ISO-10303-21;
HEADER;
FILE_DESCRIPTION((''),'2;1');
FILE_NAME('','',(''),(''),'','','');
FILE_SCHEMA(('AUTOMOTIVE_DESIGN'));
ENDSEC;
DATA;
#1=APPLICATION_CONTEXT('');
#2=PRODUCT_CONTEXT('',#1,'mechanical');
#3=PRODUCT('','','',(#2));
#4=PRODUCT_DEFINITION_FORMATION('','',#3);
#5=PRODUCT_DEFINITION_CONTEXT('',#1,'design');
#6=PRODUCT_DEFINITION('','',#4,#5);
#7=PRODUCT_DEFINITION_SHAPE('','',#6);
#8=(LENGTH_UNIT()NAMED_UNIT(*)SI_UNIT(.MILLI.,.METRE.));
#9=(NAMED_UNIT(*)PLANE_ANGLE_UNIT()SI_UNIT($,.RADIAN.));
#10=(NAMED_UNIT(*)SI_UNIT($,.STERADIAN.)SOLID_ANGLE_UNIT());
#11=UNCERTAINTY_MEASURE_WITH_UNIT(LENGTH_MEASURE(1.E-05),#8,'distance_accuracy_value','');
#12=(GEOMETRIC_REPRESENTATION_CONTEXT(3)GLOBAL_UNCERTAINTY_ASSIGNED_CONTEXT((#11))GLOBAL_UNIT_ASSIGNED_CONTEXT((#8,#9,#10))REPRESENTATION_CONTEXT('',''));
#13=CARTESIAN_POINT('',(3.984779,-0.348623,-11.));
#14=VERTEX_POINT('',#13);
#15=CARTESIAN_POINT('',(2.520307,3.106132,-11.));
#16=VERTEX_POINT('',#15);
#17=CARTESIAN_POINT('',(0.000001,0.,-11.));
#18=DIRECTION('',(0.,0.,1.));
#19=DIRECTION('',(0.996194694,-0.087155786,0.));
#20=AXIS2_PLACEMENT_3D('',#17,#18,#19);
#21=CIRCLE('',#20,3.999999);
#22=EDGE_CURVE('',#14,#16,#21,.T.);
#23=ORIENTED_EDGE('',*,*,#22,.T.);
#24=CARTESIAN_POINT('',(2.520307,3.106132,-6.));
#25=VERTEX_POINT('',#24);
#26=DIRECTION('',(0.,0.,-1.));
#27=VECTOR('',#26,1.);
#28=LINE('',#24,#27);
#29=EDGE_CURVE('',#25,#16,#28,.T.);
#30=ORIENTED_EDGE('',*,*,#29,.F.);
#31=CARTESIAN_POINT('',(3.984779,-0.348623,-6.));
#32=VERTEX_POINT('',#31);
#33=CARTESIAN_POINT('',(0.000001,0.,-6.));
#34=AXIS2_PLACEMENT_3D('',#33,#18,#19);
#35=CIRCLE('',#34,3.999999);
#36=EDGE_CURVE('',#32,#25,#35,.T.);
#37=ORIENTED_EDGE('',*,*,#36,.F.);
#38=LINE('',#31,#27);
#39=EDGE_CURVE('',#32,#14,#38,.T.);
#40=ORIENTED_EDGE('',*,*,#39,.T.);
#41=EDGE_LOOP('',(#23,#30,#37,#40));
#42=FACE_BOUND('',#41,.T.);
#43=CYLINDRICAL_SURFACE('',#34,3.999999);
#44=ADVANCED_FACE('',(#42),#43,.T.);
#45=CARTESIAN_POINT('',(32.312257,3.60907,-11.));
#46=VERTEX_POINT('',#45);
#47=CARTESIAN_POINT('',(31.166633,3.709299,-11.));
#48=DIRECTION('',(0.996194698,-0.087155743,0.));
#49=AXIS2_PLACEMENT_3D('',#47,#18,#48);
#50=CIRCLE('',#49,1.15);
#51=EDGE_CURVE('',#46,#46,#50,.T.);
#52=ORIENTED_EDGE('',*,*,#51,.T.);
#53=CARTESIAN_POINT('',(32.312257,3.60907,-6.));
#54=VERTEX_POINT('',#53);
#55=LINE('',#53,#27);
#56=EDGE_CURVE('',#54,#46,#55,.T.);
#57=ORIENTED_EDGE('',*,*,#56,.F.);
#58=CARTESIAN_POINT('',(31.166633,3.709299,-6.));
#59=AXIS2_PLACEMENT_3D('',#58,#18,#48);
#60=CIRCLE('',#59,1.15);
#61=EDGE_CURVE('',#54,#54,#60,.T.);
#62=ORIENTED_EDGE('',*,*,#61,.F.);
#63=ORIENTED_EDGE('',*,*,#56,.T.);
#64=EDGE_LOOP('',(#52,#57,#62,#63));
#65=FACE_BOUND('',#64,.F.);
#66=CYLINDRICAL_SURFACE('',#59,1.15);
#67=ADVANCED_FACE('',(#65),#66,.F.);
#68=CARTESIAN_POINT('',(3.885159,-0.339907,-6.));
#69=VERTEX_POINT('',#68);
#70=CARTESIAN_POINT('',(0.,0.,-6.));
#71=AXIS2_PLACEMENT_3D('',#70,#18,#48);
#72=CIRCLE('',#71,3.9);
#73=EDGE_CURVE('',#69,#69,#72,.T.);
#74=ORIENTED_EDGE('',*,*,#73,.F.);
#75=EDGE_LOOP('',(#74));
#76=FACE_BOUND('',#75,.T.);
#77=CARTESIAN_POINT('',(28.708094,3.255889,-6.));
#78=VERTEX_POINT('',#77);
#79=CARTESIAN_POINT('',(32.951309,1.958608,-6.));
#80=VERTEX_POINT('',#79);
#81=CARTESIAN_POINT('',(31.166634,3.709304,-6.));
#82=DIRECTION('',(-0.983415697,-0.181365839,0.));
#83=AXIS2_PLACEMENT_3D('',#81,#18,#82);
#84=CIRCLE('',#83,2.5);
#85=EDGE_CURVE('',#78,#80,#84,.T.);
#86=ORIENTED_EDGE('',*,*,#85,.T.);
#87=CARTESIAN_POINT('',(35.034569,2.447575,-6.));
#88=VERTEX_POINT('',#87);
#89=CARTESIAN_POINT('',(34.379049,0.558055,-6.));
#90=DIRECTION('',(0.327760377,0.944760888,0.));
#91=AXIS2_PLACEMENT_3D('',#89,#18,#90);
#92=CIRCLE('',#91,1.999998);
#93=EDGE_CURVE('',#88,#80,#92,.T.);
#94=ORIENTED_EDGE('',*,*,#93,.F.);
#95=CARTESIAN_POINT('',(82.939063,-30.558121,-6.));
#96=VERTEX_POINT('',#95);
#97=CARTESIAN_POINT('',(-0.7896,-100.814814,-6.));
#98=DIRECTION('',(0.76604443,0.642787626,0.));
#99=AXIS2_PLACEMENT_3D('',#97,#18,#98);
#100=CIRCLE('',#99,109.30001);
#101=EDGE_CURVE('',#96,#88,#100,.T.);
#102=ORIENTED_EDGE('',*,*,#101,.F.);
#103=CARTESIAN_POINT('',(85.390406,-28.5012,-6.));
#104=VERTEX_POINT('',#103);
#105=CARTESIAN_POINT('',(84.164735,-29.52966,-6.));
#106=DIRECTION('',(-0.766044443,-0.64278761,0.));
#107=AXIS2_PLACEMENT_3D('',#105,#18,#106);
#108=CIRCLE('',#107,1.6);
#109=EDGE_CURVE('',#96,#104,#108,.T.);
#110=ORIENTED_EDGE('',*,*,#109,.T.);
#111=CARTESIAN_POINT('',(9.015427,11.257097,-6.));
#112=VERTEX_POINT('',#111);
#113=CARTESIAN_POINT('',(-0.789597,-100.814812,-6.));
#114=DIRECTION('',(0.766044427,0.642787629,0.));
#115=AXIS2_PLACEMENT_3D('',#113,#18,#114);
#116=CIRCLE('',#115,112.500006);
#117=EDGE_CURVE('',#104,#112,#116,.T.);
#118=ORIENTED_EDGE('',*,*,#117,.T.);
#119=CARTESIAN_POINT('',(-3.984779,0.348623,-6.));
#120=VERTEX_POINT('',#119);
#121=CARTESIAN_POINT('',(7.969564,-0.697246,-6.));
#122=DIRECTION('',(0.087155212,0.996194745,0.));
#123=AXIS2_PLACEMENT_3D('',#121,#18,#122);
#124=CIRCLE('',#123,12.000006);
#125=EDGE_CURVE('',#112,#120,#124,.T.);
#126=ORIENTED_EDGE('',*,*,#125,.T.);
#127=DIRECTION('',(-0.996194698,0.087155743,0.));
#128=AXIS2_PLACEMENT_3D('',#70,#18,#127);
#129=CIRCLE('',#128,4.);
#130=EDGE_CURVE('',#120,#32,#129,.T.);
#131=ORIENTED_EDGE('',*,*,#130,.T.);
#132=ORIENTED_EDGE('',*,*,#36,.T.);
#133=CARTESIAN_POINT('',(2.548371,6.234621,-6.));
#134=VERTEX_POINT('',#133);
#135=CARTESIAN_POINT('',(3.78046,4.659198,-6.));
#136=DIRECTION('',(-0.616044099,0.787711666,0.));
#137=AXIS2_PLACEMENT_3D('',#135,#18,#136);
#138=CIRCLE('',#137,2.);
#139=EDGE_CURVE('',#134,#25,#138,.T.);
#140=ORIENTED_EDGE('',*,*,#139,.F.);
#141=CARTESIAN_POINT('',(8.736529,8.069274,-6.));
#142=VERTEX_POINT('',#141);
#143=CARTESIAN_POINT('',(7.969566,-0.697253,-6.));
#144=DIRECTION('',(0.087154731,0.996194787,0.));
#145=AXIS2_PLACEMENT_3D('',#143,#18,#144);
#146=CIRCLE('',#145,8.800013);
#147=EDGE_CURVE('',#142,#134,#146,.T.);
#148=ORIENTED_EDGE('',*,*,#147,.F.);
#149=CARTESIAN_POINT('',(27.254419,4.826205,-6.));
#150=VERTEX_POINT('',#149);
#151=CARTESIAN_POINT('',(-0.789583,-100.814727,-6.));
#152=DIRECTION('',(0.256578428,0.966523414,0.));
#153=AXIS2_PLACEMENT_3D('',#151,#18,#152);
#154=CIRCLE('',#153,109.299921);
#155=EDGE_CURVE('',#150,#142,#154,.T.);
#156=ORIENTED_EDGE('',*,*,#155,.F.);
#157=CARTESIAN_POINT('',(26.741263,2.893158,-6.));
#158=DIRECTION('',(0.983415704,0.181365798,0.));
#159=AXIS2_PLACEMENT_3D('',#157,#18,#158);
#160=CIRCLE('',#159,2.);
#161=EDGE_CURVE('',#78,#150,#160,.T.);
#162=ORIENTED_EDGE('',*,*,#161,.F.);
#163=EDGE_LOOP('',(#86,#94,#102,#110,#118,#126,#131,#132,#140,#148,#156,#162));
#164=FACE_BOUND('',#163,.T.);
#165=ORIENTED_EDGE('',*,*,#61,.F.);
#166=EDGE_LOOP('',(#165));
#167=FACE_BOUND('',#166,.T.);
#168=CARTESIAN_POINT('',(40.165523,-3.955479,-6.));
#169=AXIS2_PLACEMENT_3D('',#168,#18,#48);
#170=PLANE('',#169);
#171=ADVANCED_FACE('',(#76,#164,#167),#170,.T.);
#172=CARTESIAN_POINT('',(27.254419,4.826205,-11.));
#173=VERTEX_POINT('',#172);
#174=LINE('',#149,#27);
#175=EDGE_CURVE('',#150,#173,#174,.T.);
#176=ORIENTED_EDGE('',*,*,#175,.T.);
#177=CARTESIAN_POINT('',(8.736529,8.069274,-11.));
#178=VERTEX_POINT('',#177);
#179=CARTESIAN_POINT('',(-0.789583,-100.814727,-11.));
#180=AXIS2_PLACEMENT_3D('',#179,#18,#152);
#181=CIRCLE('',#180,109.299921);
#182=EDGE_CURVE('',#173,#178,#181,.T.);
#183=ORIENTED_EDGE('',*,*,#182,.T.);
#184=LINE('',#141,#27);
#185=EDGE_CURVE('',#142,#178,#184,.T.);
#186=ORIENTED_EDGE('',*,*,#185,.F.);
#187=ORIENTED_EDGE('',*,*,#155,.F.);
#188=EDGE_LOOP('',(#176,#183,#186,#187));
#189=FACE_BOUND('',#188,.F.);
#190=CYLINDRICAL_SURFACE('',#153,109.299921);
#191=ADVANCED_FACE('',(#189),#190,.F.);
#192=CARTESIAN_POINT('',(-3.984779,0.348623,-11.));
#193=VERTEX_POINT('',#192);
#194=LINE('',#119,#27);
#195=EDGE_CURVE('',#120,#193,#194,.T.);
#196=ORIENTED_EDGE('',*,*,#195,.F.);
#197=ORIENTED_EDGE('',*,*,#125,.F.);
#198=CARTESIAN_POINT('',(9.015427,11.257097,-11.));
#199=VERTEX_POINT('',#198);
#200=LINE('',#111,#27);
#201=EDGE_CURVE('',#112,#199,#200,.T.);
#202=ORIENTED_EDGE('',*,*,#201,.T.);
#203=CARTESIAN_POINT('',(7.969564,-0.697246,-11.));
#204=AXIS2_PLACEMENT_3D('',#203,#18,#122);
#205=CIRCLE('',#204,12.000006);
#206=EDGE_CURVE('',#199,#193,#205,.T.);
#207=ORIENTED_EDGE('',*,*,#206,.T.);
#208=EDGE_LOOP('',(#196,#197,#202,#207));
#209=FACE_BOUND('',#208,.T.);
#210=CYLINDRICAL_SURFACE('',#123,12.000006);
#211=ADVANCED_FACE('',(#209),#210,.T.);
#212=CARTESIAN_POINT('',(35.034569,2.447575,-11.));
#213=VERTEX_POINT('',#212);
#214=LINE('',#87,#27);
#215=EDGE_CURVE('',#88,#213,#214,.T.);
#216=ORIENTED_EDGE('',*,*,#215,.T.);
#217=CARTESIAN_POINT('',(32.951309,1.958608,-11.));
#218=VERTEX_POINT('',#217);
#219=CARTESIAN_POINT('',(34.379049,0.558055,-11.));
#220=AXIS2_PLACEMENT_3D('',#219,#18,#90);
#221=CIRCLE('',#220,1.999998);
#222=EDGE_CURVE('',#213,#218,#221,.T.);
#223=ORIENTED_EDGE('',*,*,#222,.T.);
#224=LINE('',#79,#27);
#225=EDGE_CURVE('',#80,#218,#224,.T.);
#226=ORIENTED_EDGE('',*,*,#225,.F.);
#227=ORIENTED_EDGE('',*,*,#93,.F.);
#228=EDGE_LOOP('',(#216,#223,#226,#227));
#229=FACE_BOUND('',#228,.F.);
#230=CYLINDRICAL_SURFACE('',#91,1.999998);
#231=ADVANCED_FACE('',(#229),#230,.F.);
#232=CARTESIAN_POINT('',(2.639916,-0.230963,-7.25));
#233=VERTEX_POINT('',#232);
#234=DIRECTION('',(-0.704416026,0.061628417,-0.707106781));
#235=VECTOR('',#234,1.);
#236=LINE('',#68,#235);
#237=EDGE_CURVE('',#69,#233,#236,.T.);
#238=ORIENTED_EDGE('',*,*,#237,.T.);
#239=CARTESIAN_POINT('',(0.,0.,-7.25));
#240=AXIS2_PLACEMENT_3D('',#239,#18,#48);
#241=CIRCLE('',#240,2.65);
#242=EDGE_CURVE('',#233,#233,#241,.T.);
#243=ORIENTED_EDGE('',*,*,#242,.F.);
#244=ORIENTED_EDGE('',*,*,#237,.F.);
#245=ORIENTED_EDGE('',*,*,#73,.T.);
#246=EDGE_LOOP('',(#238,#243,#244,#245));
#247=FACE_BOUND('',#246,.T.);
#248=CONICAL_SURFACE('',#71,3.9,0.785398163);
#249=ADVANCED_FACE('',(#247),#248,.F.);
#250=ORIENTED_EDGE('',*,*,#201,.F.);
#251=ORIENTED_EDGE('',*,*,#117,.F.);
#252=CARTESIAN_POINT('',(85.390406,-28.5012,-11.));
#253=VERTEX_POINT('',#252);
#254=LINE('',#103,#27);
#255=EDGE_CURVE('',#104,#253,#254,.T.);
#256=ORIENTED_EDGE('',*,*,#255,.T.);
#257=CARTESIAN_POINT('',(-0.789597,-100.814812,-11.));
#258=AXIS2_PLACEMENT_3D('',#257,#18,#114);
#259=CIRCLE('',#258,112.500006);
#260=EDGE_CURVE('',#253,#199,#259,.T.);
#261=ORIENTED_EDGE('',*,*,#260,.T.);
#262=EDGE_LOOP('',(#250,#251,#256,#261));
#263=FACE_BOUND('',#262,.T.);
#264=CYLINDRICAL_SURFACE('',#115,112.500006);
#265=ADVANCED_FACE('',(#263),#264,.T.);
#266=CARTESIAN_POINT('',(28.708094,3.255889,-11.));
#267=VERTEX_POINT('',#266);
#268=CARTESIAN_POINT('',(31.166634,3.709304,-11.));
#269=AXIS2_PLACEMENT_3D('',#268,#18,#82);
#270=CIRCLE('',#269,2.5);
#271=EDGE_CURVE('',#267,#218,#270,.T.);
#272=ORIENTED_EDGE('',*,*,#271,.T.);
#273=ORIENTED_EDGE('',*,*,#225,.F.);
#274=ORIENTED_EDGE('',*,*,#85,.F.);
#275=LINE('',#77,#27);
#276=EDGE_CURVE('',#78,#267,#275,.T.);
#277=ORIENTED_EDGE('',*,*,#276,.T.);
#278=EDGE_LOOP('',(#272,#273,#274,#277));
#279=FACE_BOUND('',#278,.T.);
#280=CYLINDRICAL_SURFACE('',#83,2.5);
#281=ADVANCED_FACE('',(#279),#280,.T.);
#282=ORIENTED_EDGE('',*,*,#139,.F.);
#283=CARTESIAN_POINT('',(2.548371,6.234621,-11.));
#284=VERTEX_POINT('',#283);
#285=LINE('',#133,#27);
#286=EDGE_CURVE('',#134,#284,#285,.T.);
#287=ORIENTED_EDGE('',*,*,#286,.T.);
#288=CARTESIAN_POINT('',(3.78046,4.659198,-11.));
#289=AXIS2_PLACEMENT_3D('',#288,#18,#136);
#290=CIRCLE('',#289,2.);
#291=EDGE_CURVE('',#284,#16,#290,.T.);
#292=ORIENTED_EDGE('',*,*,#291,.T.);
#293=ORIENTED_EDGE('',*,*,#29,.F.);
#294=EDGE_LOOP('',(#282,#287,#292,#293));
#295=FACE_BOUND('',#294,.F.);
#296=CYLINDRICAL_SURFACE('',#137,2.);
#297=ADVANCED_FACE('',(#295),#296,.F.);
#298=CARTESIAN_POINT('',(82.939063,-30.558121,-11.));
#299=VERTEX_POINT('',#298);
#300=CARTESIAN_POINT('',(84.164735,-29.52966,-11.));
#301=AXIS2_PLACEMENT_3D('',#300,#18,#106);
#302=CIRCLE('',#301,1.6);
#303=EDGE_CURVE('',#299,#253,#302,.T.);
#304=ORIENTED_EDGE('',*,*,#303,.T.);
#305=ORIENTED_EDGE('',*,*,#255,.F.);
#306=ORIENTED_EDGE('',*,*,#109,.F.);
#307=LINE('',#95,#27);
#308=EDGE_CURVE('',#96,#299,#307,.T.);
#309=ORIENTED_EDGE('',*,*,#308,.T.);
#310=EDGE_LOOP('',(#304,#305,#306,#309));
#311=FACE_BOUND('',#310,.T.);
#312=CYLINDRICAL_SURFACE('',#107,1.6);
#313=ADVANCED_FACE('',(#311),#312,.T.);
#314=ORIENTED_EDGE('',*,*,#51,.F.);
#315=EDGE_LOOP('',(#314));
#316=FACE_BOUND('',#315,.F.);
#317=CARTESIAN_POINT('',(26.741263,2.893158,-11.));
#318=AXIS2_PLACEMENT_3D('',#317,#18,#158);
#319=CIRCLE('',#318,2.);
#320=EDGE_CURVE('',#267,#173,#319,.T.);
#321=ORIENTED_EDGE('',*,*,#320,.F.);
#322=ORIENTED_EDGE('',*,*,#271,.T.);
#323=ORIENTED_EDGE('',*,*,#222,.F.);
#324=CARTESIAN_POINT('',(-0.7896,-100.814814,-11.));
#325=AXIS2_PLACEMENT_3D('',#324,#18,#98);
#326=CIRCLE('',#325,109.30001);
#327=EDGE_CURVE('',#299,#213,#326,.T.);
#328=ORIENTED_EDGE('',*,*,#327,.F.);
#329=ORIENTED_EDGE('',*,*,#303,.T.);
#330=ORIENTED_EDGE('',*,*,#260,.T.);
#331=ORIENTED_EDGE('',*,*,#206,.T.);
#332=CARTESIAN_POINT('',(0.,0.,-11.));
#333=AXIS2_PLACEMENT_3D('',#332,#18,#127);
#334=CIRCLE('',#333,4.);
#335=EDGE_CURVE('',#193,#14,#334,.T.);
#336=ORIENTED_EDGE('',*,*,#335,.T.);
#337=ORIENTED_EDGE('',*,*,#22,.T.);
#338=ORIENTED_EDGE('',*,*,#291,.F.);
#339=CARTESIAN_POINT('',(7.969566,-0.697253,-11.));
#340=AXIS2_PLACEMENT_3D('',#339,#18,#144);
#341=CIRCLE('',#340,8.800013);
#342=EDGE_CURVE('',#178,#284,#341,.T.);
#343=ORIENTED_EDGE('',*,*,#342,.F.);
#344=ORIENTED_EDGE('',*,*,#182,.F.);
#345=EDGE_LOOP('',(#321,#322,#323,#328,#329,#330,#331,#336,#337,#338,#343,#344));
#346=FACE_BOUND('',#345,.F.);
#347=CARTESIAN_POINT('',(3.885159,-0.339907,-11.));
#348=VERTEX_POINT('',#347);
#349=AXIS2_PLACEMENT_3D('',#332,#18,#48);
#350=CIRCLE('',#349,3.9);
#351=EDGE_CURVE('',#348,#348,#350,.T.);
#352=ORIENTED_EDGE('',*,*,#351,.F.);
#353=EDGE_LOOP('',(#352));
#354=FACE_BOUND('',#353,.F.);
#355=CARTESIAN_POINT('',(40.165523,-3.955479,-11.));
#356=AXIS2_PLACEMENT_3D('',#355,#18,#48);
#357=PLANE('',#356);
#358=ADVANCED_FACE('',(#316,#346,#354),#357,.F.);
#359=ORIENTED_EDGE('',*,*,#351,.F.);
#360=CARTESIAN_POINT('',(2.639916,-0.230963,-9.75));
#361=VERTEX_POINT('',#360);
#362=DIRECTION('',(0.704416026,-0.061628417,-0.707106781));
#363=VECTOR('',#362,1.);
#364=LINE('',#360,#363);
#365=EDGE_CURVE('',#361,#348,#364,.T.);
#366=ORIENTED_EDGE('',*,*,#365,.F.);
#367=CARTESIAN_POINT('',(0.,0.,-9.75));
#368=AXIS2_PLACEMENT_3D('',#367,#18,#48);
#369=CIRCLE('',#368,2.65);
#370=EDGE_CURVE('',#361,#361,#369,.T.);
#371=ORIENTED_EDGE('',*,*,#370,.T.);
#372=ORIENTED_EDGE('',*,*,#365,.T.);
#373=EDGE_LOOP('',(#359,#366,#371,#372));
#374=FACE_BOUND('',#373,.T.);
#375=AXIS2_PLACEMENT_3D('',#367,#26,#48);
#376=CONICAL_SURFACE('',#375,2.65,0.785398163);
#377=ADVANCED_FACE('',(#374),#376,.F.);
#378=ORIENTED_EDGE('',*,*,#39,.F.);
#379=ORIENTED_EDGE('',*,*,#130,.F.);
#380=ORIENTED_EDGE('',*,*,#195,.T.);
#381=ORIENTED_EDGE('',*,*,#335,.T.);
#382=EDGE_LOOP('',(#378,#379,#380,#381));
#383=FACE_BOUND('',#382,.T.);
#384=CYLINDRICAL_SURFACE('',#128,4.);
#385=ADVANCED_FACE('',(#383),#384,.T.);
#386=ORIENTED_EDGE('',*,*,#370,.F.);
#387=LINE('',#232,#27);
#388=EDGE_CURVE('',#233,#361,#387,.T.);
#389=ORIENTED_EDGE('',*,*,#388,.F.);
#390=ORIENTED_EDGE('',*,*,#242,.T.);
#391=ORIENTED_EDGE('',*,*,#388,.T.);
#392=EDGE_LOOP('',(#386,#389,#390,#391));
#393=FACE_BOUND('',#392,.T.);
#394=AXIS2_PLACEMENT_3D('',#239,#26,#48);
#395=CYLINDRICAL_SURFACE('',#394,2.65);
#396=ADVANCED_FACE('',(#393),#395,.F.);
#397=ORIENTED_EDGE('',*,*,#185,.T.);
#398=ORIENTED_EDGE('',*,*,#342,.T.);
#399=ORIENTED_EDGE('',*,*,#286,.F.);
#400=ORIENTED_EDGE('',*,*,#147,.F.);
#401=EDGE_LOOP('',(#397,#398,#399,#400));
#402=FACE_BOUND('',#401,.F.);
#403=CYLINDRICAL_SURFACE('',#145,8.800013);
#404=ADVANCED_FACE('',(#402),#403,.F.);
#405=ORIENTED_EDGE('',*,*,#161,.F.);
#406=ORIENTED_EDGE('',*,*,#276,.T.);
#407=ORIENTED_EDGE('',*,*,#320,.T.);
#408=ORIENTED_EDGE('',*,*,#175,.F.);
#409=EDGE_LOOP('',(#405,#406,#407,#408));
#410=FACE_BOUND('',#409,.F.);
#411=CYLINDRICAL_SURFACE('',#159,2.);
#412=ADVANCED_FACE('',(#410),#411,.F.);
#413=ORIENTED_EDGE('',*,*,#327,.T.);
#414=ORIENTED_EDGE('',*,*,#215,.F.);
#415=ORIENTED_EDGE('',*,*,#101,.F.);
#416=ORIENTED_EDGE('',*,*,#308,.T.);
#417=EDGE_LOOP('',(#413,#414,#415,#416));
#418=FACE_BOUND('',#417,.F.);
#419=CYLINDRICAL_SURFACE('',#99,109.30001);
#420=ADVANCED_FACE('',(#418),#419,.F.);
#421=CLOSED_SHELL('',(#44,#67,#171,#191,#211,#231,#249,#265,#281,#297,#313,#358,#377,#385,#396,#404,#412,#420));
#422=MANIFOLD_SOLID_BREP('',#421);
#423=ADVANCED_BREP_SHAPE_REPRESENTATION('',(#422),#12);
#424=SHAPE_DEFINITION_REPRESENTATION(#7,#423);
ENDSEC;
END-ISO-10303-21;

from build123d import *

# Parameters (mm, degrees)
PAD_DEPTH               = 5
SKETCH002_R             = 1.15
POCKET_DEPTH            = 5.001
POCKET_DEPTH_BACK       = 0.001
BODY001_PLACEMENT_ANGLE = 5


with BuildPart() as part:
    # Sketch → Pad (new body)
    with BuildSketch(Plane.XY):
        with BuildLine():
            ThreePointArc((-4, 0), (0, -4), (4, 0))
            ThreePointArc((4, 0), (3.532704, 1.876167), (2.239999, 3.313971))
            ThreePointArc((1.995291, 6.433002), (1.366125, 4.814525), (2.239999, 3.313971))
            ThreePointArc((8, 8.800007), (4.772802, 8.186896), (1.995291, 6.433002))
            ThreePointArc((26.730076, 7.183219), (17.399864, 8.39506), (8, 8.800007))
            ThreePointArc((28.315082, 5.745575), (27.73102, 6.694204), (26.730076, 7.183219))
            ThreePointArc((28.315082, 5.745575), (30.204969, 3.966171), (32.655215, 4.823051))
            ThreePointArc((34.687932, 5.491725), (33.574624, 5.452108), (32.655215, 4.823051))
            ThreePointArc((85.286771, -23.213222), (61.932163, -5.432587), (34.687932, 5.491725))
            ThreePointArc((85.286771, -23.213222), (87.549513, -23.213222), (87.549513, -20.95048))
            ThreePointArc((87.549513, -20.95048), (51.051886, 3.436454), (8, 12.000007))
            ThreePointArc((8, 12.000007), (-0.485282, 8.485284), (-4, 0))
        make_face()
    extrude(amount=-PAD_DEPTH)

    # Sketch002 → Pocket (cut, two sides)
    with BuildSketch(Plane.XY) as pocket_sk:
        with Locations((30.724748, 6.411535)):
            Circle(SKETCH002_R)
    extrude(amount=-POCKET_DEPTH, mode=Mode.SUBTRACT)
    extrude(pocket_sk.sketch, amount=POCKET_DEPTH_BACK, mode=Mode.SUBTRACT)

    # Sketch003 → Groove (revolve, cut)
    with BuildSketch(Plane.XZ):
        Polygon((0, 0), (3.9, 0), (2.65, -1.25), (2.65, -3.75), (3.9, -5), (0, -5), align=None)
    revolve(axis=Axis((0, 0, 0), (0, 0, 1)), mode=Mode.SUBTRACT)


with BuildPart() as part_1:
    # Body001 placement: moved
    add(part.part.moved(Location((0, 0, -6))).rotate(Axis((0, 0, -6), (0, 0, -1)), BODY001_PLACEMENT_ANGLE))


solid = part_1.part
